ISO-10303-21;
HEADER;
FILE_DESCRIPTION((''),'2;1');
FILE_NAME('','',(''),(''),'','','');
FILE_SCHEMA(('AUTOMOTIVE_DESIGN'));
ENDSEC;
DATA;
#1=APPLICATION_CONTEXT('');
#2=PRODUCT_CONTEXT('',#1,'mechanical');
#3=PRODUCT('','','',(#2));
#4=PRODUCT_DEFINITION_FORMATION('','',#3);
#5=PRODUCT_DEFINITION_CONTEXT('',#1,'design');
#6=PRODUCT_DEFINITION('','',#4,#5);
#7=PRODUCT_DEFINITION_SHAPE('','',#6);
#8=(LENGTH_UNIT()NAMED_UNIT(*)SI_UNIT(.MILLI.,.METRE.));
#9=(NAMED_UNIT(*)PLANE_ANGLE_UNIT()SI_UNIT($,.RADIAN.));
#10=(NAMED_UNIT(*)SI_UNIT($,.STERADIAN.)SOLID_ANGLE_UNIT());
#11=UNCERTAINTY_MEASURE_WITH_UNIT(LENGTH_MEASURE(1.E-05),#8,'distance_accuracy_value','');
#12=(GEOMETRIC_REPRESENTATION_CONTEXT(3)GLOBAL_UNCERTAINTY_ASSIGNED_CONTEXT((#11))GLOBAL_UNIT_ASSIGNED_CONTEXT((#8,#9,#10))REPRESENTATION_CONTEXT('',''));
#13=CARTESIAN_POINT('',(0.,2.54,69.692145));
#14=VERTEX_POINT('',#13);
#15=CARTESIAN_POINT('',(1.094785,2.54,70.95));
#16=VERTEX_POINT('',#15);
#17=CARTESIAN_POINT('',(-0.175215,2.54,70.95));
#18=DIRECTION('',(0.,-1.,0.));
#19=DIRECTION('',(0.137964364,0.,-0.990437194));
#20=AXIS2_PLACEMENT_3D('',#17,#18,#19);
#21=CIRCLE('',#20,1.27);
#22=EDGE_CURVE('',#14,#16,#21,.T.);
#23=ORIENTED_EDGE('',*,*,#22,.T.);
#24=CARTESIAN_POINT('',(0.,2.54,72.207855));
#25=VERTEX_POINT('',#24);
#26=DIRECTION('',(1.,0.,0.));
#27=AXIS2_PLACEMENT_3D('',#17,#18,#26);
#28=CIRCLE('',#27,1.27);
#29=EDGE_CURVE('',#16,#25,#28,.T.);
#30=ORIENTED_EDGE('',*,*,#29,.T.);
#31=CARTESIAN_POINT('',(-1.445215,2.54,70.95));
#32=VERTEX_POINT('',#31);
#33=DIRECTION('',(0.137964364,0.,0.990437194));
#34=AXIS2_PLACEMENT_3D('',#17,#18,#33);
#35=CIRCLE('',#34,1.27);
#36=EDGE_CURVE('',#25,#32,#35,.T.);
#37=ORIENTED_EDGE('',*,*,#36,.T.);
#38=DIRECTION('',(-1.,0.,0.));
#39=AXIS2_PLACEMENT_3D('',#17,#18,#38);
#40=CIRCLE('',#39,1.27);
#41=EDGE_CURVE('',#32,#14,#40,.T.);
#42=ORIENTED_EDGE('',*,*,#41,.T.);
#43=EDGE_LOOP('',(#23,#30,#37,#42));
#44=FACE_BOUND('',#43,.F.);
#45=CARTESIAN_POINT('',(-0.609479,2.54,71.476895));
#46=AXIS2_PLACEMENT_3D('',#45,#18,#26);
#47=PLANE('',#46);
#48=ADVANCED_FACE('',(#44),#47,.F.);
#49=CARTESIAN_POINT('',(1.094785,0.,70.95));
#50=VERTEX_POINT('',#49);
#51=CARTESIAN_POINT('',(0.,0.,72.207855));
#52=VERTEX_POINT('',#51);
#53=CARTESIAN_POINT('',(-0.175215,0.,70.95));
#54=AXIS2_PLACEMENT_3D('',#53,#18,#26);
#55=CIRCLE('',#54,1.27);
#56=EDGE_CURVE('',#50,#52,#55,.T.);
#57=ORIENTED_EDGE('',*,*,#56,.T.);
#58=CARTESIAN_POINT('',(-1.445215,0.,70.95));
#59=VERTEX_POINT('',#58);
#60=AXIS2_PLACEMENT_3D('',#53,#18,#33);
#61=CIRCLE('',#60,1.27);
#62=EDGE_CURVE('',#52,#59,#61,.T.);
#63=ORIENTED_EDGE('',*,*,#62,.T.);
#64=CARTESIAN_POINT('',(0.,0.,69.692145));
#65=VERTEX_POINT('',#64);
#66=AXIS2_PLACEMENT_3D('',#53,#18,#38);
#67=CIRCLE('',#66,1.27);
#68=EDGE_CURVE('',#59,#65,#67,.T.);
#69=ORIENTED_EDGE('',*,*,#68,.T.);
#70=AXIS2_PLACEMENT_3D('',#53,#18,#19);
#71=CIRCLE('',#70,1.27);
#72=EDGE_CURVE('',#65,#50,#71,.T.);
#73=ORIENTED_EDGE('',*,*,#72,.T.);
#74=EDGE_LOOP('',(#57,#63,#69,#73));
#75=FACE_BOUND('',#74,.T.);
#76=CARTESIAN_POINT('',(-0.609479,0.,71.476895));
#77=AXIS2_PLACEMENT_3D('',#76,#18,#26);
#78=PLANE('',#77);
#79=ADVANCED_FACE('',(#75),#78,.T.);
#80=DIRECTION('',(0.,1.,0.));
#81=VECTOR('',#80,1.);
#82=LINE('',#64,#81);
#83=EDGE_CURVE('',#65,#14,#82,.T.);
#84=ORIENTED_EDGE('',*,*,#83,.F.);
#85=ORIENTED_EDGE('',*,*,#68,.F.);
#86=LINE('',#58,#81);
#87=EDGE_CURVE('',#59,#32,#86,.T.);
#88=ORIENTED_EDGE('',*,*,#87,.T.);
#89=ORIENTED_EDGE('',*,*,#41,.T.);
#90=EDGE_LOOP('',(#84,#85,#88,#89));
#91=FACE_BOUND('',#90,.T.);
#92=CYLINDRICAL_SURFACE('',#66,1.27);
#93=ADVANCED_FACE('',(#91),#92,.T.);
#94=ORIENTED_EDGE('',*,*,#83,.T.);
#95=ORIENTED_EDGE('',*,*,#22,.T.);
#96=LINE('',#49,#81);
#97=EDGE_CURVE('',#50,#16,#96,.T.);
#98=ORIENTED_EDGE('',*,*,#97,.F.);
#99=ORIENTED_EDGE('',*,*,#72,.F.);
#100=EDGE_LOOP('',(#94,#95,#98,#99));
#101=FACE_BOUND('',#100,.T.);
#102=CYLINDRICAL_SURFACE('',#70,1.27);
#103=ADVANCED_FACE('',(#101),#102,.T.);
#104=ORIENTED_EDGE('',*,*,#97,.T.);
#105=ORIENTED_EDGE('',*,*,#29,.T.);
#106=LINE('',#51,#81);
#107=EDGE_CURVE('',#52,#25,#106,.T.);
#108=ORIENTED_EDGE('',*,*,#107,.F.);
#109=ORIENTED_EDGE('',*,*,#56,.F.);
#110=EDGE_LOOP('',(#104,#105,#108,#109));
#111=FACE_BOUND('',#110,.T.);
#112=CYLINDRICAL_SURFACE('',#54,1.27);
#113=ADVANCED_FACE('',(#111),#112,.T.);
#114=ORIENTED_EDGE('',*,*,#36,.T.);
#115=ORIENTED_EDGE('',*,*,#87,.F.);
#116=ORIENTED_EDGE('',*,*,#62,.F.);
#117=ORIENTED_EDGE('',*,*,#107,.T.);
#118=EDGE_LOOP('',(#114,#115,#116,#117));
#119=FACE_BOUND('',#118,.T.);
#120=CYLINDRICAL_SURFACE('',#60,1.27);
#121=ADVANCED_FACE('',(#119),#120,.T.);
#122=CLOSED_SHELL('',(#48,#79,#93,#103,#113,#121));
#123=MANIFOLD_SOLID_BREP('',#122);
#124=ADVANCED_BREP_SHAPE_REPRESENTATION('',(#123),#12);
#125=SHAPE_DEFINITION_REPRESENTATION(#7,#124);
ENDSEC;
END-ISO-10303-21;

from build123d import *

# Parameters (mm, degrees)
F1_DEPTH = 2.54


with BuildPart() as f1:
    # F0 (on Front) → F1 (new body)
    with BuildSketch(Plane.XZ):
        with BuildLine():
            Line((0, 70.949999959), (0, 72.2078551948))
            ThreePointArc((0, 72.2078551948), (-1.0089944723, 71.9079724853), (-1.4452147418, 70.949999959))
            Line((-1.4452147418, 70.949999959), (0, 70.949999959))
        make_face()
        with BuildLine():
            ThreePointArc((1.0947852582, 70.949999959), (0.7827577844, 71.7837796895), (0, 72.2078551948))
            Line((0, 72.2078551948), (0, 70.949999959))
            Line((0, 70.949999959), (1.0947852582, 70.949999959))
        make_face()
        with BuildLine():
            Line((0, 70.949999959), (0, 69.6921447232))
            ThreePointArc((0, 69.6921447232), (0.7827577844, 70.1162202285), (1.0947852582, 70.949999959))
            Line((1.0947852582, 70.949999959), (0, 70.949999959))
        make_face()
        with BuildLine():
            ThreePointArc((-1.4452147418, 70.949999959), (-1.0089944723, 69.9920274327), (0, 69.6921447232))
            Line((0, 69.6921447232), (0, 70.949999959))
            Line((0, 70.949999959), (-1.4452147418, 70.949999959))
        make_face()
    extrude(amount=-F1_DEPTH)


solid = f1.part
